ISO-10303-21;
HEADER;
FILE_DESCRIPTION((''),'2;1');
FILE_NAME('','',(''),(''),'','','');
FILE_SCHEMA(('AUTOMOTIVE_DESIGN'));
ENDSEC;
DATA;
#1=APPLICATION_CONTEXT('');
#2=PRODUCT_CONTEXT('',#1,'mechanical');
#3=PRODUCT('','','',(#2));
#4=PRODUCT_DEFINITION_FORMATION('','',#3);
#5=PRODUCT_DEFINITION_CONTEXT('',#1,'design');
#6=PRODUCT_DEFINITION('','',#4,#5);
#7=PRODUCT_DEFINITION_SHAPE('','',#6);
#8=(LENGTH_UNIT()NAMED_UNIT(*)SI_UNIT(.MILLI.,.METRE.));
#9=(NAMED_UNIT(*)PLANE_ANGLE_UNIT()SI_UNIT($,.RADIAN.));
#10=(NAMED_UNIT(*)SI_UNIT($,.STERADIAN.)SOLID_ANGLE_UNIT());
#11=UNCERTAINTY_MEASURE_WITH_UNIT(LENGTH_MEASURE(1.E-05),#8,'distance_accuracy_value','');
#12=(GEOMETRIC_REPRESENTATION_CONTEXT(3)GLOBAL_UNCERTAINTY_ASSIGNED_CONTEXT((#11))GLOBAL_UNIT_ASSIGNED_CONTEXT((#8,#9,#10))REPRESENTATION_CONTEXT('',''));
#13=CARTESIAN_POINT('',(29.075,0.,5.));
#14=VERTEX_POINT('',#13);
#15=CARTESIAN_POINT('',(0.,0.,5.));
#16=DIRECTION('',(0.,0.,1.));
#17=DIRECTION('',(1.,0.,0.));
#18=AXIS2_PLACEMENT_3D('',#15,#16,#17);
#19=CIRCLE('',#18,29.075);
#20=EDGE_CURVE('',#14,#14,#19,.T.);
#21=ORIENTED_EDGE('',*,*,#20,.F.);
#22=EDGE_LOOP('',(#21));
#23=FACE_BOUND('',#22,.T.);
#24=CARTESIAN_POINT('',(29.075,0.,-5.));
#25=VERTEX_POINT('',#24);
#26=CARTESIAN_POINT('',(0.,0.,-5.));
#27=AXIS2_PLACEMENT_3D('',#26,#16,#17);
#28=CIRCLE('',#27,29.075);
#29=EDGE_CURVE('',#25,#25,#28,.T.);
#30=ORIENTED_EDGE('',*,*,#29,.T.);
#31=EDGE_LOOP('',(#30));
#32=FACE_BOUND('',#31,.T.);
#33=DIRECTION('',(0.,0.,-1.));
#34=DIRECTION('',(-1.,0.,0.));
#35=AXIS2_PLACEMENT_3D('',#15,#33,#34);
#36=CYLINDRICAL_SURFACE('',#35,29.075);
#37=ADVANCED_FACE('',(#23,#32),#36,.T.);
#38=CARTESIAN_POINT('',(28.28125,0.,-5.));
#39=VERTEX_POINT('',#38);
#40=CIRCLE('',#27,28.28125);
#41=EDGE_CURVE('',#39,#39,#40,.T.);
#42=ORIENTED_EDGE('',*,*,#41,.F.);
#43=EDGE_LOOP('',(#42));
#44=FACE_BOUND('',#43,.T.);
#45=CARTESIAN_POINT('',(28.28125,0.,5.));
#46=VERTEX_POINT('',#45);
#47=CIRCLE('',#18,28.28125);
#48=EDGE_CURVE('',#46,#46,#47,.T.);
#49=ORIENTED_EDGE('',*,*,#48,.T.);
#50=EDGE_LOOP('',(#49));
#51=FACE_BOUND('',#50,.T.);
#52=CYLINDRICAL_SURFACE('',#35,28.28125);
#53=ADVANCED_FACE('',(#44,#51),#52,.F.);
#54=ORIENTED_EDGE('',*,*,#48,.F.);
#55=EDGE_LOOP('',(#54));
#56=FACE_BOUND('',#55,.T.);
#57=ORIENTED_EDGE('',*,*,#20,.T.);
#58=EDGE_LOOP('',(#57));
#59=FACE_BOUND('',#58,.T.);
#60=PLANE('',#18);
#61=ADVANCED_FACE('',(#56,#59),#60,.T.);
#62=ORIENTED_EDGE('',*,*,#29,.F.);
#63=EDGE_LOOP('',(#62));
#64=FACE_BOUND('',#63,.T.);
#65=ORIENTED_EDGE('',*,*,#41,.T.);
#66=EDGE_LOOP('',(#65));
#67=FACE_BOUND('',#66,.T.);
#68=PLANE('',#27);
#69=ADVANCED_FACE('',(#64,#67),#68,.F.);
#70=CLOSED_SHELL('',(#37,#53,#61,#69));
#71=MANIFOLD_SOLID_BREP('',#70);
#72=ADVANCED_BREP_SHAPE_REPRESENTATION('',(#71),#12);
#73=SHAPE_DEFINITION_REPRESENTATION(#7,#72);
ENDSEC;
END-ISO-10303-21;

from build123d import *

# Parameters (mm, degrees)
SKETCH1_R           = 29.075
SKETCH1_R_2         = 28.28125
BOSS_EXTRUDE1_DEPTH = 5


with BuildPart() as part:
    # Sketch1 → Boss-Extrude1 (new body, symmetric)
    with BuildSketch(Plane.XY):
        Circle(SKETCH1_R)
        Circle(SKETCH1_R_2, mode=Mode.SUBTRACT)
    extrude(amount=BOSS_EXTRUDE1_DEPTH, both=True)


solid = part.part
